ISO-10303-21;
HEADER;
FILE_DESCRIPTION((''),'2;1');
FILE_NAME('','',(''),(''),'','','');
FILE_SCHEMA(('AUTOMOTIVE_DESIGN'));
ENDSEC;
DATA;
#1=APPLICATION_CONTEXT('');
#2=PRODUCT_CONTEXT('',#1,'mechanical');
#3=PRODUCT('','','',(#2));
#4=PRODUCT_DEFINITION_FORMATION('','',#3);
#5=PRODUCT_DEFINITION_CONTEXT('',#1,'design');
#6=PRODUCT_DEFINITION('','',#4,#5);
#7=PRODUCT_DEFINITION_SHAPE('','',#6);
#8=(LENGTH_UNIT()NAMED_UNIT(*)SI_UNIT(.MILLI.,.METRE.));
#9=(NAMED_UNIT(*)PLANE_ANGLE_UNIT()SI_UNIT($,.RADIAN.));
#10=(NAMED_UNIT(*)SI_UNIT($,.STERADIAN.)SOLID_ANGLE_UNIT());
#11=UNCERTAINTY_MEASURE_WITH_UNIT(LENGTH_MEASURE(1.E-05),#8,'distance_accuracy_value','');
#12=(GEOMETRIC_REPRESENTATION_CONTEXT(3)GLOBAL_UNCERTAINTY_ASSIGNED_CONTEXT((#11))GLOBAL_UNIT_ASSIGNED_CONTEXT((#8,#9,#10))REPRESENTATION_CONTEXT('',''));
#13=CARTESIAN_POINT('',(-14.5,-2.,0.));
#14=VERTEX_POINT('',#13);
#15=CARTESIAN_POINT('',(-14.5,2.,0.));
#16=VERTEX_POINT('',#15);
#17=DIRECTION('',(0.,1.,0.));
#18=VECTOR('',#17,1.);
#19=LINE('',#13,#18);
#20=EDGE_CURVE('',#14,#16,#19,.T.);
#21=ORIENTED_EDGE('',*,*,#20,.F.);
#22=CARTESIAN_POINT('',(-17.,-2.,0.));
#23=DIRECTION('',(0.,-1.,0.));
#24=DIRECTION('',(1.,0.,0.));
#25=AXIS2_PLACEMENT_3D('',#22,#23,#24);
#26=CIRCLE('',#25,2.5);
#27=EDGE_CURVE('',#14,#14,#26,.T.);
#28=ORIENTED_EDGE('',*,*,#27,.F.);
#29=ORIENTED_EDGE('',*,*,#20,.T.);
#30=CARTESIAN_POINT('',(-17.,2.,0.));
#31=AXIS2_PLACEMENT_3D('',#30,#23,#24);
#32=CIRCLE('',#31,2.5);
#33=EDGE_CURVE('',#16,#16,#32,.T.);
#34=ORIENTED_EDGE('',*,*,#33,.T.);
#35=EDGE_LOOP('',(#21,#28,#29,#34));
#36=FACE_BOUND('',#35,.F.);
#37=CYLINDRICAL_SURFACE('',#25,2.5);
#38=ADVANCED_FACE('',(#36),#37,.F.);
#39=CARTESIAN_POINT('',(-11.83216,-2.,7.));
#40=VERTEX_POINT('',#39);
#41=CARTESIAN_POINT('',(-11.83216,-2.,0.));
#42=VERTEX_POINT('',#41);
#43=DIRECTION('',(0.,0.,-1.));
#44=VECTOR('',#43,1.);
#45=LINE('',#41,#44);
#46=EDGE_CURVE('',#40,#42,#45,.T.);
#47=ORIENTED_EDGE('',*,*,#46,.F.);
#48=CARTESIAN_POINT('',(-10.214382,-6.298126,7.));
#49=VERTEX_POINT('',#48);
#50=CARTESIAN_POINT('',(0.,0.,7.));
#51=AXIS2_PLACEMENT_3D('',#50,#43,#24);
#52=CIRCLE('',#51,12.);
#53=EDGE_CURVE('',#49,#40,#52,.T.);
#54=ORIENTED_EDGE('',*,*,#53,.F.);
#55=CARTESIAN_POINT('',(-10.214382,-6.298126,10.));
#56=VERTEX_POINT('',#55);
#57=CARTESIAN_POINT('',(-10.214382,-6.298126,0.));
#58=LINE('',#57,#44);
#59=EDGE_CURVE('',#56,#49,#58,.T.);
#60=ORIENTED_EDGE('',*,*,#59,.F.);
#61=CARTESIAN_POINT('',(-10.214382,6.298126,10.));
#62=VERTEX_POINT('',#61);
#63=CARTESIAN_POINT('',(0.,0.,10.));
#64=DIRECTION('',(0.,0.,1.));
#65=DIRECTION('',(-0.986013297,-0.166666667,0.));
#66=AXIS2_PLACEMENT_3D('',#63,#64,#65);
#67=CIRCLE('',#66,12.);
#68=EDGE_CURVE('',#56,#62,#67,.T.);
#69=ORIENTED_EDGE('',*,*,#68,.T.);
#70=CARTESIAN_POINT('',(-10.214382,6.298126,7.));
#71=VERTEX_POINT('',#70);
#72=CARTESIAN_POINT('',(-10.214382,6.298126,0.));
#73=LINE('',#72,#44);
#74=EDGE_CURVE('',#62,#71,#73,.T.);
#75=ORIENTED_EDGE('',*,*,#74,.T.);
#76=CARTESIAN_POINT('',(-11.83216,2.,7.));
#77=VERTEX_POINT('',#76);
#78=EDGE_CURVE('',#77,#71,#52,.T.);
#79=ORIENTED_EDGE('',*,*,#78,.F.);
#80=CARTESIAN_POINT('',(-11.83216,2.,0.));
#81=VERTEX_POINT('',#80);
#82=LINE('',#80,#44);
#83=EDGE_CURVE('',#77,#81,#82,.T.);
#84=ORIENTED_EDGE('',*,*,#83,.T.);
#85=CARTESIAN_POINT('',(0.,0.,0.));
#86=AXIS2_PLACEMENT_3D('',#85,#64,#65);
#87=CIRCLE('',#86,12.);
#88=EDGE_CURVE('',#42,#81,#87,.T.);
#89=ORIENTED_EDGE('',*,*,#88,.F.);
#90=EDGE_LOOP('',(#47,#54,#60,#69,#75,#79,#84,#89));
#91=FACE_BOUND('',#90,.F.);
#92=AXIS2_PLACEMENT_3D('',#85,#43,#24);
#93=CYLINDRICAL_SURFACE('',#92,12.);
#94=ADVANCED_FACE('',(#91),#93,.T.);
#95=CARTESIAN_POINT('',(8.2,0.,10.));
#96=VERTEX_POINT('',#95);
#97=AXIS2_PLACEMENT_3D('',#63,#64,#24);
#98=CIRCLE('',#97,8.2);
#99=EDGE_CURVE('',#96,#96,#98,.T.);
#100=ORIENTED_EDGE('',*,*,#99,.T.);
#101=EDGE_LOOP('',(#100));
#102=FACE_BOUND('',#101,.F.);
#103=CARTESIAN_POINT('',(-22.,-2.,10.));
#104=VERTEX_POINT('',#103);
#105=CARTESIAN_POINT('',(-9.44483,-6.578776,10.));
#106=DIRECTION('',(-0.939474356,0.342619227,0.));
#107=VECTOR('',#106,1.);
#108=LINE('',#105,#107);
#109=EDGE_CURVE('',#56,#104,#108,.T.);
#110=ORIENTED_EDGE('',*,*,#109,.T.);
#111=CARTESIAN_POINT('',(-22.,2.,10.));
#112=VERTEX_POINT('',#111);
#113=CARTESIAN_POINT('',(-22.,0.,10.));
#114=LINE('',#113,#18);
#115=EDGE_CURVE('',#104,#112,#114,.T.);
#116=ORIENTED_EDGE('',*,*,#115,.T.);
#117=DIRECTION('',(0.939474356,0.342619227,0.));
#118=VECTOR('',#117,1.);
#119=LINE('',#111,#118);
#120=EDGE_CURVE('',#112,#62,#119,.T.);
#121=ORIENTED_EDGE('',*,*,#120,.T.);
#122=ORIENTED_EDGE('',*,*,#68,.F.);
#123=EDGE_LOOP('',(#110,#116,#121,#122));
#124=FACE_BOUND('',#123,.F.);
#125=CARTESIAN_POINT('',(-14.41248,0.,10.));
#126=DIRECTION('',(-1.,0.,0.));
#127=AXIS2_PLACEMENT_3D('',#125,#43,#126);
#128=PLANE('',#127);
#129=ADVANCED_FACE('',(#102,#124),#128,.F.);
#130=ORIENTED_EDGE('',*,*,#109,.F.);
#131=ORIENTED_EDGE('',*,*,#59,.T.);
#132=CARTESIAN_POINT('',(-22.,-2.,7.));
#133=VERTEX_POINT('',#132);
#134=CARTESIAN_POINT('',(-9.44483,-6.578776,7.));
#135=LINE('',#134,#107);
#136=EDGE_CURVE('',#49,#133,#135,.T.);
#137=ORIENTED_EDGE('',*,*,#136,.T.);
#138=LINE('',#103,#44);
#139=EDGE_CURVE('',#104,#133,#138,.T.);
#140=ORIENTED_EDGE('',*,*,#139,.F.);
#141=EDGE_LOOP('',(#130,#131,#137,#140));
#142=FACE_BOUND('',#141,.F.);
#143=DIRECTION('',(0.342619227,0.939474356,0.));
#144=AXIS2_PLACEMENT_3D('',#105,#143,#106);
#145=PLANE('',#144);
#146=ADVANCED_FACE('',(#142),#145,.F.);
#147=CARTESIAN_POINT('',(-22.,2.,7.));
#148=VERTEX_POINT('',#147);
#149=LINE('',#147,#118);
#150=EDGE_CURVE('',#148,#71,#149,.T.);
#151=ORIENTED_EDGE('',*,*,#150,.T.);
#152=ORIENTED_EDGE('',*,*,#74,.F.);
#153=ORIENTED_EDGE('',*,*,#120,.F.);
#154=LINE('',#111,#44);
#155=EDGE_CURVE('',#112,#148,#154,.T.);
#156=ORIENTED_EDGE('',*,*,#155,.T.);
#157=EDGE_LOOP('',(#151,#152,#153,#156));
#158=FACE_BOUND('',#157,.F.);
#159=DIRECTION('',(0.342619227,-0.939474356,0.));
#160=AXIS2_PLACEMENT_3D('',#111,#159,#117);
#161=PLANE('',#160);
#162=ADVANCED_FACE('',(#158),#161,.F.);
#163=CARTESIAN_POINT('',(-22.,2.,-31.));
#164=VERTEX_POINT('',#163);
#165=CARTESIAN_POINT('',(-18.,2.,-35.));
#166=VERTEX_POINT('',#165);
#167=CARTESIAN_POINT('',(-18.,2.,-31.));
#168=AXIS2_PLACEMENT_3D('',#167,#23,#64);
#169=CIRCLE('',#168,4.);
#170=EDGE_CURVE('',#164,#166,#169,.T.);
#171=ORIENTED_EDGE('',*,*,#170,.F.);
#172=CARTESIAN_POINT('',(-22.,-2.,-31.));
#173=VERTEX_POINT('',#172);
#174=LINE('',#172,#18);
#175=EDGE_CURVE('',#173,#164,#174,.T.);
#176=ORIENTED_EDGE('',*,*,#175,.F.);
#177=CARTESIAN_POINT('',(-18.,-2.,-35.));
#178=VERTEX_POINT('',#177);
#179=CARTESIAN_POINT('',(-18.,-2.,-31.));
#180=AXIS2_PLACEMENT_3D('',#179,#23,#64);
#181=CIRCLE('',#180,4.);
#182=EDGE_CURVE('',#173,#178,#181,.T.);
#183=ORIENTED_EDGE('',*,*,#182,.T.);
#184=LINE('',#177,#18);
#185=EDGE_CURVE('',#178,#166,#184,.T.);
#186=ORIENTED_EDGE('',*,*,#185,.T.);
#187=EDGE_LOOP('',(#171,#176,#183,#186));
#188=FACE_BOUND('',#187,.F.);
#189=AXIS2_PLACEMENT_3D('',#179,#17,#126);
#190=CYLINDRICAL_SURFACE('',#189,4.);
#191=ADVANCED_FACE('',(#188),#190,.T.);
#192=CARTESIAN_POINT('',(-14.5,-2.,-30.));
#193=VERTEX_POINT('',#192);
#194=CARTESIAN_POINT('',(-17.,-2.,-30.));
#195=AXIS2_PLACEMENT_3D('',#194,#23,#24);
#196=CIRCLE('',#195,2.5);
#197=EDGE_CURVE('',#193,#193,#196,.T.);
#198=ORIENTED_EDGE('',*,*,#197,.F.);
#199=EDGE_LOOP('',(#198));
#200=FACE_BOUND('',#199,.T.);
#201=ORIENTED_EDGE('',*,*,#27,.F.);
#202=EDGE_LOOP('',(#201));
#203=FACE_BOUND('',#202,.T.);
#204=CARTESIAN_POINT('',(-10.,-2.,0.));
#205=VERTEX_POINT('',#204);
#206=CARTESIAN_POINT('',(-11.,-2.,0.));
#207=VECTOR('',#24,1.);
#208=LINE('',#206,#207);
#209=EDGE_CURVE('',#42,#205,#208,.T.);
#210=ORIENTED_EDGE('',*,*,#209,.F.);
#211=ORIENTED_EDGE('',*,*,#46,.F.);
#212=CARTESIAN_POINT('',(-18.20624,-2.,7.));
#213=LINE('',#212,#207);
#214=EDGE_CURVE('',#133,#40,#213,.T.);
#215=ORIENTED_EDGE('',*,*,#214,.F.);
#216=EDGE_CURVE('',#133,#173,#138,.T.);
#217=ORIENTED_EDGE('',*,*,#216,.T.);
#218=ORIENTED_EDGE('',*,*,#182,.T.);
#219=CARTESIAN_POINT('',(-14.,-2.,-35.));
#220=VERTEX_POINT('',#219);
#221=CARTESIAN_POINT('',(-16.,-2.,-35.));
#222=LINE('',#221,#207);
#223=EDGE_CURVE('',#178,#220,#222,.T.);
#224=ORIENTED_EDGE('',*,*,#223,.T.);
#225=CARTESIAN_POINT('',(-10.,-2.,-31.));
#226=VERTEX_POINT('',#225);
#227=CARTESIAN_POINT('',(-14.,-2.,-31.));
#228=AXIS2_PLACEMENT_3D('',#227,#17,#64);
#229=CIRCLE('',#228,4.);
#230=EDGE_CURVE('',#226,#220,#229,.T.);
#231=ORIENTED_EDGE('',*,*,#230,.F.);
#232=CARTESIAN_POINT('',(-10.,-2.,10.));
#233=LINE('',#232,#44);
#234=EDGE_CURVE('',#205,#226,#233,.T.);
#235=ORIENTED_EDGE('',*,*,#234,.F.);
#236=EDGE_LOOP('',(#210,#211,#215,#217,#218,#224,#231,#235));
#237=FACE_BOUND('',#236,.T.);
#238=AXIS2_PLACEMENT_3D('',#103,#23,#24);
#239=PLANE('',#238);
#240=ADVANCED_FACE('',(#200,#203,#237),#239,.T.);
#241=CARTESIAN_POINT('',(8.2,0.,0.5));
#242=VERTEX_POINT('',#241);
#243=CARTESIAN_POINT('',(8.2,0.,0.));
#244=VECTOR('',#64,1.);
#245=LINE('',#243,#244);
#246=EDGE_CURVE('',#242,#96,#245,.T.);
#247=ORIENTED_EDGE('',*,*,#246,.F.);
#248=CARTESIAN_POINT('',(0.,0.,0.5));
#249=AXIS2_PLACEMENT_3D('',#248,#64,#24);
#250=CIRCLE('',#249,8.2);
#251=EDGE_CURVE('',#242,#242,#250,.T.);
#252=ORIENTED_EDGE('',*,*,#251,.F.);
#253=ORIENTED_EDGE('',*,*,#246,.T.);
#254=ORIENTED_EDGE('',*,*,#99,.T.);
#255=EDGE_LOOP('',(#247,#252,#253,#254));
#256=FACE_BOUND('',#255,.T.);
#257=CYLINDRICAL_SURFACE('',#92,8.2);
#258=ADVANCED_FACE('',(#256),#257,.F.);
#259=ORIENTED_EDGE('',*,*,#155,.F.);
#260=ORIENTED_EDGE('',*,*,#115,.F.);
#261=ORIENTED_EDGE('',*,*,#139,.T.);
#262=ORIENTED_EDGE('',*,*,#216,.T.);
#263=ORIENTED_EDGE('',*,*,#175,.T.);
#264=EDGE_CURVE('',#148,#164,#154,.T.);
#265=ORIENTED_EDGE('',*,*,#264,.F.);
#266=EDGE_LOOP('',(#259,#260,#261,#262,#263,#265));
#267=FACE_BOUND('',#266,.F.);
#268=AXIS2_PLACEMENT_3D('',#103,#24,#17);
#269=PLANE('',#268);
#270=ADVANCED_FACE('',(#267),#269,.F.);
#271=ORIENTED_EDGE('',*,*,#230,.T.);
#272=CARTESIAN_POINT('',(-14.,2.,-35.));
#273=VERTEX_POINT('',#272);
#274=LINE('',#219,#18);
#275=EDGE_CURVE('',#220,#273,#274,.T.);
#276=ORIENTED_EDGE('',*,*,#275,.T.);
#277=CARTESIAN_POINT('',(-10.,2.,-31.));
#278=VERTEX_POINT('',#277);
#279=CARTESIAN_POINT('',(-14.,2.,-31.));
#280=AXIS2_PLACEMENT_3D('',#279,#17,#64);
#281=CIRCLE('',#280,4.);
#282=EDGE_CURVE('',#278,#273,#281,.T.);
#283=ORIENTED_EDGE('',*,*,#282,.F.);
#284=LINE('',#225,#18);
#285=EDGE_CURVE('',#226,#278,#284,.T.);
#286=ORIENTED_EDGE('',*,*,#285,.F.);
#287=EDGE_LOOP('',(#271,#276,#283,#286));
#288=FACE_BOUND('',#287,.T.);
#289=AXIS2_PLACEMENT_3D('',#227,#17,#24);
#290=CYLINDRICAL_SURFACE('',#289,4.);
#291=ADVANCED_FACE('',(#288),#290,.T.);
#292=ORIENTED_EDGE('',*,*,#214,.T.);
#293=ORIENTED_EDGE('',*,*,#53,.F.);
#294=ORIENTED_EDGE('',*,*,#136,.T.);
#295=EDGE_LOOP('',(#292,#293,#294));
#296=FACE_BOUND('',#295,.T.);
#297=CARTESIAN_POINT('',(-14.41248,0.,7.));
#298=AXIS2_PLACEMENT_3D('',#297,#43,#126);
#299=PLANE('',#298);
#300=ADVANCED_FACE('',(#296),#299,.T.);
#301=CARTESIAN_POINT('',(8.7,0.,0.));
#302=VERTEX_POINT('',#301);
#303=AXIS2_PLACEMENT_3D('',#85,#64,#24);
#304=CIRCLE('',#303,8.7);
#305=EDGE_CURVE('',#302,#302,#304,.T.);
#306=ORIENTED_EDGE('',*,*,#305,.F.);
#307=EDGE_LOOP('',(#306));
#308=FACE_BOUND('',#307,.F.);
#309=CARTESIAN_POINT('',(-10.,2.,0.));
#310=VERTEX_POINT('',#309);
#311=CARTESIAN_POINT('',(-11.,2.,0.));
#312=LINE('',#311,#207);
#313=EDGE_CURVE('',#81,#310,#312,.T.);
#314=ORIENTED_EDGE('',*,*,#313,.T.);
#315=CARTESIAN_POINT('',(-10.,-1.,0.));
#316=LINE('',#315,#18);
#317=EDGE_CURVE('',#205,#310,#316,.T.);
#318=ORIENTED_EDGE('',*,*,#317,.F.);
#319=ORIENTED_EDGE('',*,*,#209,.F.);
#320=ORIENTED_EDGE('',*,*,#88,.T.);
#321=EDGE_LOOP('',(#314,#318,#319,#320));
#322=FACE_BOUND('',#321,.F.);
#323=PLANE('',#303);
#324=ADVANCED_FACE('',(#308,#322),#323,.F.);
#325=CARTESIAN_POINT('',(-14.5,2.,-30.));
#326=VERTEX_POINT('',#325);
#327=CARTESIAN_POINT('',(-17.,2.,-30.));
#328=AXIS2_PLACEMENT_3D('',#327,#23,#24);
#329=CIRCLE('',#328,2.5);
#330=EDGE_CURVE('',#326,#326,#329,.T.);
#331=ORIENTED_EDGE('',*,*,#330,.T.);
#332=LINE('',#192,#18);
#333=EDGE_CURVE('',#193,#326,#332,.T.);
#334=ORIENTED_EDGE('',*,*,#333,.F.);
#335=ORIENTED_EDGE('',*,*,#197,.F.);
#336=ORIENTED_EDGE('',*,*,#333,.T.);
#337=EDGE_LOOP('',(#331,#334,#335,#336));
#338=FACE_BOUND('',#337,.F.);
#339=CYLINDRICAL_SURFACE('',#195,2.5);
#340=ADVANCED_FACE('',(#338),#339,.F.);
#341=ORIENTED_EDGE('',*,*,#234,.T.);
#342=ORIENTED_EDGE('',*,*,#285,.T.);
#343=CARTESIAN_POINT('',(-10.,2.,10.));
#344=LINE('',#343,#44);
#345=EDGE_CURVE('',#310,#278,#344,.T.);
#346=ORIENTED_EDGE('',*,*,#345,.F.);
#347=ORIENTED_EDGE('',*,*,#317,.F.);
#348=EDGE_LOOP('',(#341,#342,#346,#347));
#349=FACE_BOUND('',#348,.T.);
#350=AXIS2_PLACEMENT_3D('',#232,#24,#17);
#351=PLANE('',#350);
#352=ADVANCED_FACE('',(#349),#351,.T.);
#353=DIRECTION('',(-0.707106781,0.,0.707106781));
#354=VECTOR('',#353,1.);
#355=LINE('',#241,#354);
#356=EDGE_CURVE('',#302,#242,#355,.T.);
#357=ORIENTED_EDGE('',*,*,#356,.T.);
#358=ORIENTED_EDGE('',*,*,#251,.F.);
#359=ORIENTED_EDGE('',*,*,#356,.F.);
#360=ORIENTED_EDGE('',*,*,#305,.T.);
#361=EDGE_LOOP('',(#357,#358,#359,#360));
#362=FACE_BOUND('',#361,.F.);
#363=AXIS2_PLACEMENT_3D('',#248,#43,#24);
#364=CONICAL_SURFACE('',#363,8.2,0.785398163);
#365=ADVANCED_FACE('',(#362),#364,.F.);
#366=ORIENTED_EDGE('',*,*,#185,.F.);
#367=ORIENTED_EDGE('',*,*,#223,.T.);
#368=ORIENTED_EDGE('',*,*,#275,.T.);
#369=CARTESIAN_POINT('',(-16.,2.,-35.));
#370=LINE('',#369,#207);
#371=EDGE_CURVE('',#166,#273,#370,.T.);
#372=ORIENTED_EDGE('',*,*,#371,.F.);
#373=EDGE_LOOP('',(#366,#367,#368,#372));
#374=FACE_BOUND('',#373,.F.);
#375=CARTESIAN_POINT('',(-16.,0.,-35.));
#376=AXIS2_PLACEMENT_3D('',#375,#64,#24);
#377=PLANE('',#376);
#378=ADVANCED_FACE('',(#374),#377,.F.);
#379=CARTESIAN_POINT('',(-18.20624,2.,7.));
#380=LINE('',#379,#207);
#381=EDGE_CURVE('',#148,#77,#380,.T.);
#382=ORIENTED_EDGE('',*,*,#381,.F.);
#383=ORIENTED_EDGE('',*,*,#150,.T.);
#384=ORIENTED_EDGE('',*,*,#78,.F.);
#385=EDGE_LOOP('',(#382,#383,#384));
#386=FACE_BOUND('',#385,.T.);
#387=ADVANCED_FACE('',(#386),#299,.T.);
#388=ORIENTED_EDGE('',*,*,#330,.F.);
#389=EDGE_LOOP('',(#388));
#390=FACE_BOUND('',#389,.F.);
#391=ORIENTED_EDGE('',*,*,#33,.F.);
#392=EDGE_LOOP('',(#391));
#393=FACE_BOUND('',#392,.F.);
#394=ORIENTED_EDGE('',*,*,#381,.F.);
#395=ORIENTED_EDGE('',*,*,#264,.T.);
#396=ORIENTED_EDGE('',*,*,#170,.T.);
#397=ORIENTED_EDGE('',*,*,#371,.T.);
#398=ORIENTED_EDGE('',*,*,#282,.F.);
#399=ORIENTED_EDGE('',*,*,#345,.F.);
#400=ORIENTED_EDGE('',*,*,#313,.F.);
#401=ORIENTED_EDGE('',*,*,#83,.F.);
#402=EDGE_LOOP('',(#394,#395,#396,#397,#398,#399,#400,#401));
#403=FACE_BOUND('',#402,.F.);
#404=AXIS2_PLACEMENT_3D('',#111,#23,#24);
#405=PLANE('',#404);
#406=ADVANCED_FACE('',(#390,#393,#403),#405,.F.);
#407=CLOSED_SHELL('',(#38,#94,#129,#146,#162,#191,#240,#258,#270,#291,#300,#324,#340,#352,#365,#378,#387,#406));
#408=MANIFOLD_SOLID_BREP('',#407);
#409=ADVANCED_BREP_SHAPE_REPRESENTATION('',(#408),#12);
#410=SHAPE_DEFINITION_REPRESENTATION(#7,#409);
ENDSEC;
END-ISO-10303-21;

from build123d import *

# Parameters (mm, degrees)
SKETCH_R     = 12
SKETCH_R_2   = 8.2
PAD_DEPTH    = 10
SKETCH001_W  = 12
SKETCH001_H  = 4
PAD001_DEPTH = 45
SKETCH003_R  = 2.5
POCKET_DEPTH = 5
PAD002_DEPTH = 3
FILLET_R     = 4
CHAMFER_SIZE = 0.5


with BuildPart() as part:
    # Sketch → Pad (new body)
    with BuildSketch(Plane.XY):
        Circle(SKETCH_R)
        Circle(SKETCH_R_2, mode=Mode.SUBTRACT)
    extrude(amount=PAD_DEPTH)

    # Sketch001 (on Face4 of Pad) → Pad001 (join)
    with BuildSketch(Plane.XY.offset(10)):
        with Locations((-16, 0)):
            Rectangle(SKETCH001_W, SKETCH001_H)
    extrude(amount=-PAD001_DEPTH)

    # Sketch003 (on Face6 of Pad001) → Pocket (cut)
    with BuildSketch(Plane.XZ.offset(2)):
        with Locations((-17, 0)):
            Circle(SKETCH003_R)
        with Locations((-17, -30)):
            Circle(SKETCH003_R)
    extrude(amount=-POCKET_DEPTH, mode=Mode.SUBTRACT)

    # Sketch005 (on Face10 of Pocket) → Pad002 (join)
    with BuildSketch(Plane.XY.offset(10)):
        Polygon((-22, 2), (-9.44483, 6.578776), (-9.44483, -6.578776), (-22, -2), align=None)
    extrude(amount=-PAD002_DEPTH)

    # Fillet
    fillet_edges = [part.edges().sort_by_distance(p)[0] for p in [
        (-22, 0, -35),
        (-10, 0, -35),
    ]]
    fillet(fillet_edges, radius=FILLET_R)

    # Chamfer
    chamfer_edges = [part.edges().sort_by_distance(p)[0] for p in [
        (-8.2, 0, 0),
    ]]
    chamfer(chamfer_edges, length=CHAMFER_SIZE)


solid = part.part
